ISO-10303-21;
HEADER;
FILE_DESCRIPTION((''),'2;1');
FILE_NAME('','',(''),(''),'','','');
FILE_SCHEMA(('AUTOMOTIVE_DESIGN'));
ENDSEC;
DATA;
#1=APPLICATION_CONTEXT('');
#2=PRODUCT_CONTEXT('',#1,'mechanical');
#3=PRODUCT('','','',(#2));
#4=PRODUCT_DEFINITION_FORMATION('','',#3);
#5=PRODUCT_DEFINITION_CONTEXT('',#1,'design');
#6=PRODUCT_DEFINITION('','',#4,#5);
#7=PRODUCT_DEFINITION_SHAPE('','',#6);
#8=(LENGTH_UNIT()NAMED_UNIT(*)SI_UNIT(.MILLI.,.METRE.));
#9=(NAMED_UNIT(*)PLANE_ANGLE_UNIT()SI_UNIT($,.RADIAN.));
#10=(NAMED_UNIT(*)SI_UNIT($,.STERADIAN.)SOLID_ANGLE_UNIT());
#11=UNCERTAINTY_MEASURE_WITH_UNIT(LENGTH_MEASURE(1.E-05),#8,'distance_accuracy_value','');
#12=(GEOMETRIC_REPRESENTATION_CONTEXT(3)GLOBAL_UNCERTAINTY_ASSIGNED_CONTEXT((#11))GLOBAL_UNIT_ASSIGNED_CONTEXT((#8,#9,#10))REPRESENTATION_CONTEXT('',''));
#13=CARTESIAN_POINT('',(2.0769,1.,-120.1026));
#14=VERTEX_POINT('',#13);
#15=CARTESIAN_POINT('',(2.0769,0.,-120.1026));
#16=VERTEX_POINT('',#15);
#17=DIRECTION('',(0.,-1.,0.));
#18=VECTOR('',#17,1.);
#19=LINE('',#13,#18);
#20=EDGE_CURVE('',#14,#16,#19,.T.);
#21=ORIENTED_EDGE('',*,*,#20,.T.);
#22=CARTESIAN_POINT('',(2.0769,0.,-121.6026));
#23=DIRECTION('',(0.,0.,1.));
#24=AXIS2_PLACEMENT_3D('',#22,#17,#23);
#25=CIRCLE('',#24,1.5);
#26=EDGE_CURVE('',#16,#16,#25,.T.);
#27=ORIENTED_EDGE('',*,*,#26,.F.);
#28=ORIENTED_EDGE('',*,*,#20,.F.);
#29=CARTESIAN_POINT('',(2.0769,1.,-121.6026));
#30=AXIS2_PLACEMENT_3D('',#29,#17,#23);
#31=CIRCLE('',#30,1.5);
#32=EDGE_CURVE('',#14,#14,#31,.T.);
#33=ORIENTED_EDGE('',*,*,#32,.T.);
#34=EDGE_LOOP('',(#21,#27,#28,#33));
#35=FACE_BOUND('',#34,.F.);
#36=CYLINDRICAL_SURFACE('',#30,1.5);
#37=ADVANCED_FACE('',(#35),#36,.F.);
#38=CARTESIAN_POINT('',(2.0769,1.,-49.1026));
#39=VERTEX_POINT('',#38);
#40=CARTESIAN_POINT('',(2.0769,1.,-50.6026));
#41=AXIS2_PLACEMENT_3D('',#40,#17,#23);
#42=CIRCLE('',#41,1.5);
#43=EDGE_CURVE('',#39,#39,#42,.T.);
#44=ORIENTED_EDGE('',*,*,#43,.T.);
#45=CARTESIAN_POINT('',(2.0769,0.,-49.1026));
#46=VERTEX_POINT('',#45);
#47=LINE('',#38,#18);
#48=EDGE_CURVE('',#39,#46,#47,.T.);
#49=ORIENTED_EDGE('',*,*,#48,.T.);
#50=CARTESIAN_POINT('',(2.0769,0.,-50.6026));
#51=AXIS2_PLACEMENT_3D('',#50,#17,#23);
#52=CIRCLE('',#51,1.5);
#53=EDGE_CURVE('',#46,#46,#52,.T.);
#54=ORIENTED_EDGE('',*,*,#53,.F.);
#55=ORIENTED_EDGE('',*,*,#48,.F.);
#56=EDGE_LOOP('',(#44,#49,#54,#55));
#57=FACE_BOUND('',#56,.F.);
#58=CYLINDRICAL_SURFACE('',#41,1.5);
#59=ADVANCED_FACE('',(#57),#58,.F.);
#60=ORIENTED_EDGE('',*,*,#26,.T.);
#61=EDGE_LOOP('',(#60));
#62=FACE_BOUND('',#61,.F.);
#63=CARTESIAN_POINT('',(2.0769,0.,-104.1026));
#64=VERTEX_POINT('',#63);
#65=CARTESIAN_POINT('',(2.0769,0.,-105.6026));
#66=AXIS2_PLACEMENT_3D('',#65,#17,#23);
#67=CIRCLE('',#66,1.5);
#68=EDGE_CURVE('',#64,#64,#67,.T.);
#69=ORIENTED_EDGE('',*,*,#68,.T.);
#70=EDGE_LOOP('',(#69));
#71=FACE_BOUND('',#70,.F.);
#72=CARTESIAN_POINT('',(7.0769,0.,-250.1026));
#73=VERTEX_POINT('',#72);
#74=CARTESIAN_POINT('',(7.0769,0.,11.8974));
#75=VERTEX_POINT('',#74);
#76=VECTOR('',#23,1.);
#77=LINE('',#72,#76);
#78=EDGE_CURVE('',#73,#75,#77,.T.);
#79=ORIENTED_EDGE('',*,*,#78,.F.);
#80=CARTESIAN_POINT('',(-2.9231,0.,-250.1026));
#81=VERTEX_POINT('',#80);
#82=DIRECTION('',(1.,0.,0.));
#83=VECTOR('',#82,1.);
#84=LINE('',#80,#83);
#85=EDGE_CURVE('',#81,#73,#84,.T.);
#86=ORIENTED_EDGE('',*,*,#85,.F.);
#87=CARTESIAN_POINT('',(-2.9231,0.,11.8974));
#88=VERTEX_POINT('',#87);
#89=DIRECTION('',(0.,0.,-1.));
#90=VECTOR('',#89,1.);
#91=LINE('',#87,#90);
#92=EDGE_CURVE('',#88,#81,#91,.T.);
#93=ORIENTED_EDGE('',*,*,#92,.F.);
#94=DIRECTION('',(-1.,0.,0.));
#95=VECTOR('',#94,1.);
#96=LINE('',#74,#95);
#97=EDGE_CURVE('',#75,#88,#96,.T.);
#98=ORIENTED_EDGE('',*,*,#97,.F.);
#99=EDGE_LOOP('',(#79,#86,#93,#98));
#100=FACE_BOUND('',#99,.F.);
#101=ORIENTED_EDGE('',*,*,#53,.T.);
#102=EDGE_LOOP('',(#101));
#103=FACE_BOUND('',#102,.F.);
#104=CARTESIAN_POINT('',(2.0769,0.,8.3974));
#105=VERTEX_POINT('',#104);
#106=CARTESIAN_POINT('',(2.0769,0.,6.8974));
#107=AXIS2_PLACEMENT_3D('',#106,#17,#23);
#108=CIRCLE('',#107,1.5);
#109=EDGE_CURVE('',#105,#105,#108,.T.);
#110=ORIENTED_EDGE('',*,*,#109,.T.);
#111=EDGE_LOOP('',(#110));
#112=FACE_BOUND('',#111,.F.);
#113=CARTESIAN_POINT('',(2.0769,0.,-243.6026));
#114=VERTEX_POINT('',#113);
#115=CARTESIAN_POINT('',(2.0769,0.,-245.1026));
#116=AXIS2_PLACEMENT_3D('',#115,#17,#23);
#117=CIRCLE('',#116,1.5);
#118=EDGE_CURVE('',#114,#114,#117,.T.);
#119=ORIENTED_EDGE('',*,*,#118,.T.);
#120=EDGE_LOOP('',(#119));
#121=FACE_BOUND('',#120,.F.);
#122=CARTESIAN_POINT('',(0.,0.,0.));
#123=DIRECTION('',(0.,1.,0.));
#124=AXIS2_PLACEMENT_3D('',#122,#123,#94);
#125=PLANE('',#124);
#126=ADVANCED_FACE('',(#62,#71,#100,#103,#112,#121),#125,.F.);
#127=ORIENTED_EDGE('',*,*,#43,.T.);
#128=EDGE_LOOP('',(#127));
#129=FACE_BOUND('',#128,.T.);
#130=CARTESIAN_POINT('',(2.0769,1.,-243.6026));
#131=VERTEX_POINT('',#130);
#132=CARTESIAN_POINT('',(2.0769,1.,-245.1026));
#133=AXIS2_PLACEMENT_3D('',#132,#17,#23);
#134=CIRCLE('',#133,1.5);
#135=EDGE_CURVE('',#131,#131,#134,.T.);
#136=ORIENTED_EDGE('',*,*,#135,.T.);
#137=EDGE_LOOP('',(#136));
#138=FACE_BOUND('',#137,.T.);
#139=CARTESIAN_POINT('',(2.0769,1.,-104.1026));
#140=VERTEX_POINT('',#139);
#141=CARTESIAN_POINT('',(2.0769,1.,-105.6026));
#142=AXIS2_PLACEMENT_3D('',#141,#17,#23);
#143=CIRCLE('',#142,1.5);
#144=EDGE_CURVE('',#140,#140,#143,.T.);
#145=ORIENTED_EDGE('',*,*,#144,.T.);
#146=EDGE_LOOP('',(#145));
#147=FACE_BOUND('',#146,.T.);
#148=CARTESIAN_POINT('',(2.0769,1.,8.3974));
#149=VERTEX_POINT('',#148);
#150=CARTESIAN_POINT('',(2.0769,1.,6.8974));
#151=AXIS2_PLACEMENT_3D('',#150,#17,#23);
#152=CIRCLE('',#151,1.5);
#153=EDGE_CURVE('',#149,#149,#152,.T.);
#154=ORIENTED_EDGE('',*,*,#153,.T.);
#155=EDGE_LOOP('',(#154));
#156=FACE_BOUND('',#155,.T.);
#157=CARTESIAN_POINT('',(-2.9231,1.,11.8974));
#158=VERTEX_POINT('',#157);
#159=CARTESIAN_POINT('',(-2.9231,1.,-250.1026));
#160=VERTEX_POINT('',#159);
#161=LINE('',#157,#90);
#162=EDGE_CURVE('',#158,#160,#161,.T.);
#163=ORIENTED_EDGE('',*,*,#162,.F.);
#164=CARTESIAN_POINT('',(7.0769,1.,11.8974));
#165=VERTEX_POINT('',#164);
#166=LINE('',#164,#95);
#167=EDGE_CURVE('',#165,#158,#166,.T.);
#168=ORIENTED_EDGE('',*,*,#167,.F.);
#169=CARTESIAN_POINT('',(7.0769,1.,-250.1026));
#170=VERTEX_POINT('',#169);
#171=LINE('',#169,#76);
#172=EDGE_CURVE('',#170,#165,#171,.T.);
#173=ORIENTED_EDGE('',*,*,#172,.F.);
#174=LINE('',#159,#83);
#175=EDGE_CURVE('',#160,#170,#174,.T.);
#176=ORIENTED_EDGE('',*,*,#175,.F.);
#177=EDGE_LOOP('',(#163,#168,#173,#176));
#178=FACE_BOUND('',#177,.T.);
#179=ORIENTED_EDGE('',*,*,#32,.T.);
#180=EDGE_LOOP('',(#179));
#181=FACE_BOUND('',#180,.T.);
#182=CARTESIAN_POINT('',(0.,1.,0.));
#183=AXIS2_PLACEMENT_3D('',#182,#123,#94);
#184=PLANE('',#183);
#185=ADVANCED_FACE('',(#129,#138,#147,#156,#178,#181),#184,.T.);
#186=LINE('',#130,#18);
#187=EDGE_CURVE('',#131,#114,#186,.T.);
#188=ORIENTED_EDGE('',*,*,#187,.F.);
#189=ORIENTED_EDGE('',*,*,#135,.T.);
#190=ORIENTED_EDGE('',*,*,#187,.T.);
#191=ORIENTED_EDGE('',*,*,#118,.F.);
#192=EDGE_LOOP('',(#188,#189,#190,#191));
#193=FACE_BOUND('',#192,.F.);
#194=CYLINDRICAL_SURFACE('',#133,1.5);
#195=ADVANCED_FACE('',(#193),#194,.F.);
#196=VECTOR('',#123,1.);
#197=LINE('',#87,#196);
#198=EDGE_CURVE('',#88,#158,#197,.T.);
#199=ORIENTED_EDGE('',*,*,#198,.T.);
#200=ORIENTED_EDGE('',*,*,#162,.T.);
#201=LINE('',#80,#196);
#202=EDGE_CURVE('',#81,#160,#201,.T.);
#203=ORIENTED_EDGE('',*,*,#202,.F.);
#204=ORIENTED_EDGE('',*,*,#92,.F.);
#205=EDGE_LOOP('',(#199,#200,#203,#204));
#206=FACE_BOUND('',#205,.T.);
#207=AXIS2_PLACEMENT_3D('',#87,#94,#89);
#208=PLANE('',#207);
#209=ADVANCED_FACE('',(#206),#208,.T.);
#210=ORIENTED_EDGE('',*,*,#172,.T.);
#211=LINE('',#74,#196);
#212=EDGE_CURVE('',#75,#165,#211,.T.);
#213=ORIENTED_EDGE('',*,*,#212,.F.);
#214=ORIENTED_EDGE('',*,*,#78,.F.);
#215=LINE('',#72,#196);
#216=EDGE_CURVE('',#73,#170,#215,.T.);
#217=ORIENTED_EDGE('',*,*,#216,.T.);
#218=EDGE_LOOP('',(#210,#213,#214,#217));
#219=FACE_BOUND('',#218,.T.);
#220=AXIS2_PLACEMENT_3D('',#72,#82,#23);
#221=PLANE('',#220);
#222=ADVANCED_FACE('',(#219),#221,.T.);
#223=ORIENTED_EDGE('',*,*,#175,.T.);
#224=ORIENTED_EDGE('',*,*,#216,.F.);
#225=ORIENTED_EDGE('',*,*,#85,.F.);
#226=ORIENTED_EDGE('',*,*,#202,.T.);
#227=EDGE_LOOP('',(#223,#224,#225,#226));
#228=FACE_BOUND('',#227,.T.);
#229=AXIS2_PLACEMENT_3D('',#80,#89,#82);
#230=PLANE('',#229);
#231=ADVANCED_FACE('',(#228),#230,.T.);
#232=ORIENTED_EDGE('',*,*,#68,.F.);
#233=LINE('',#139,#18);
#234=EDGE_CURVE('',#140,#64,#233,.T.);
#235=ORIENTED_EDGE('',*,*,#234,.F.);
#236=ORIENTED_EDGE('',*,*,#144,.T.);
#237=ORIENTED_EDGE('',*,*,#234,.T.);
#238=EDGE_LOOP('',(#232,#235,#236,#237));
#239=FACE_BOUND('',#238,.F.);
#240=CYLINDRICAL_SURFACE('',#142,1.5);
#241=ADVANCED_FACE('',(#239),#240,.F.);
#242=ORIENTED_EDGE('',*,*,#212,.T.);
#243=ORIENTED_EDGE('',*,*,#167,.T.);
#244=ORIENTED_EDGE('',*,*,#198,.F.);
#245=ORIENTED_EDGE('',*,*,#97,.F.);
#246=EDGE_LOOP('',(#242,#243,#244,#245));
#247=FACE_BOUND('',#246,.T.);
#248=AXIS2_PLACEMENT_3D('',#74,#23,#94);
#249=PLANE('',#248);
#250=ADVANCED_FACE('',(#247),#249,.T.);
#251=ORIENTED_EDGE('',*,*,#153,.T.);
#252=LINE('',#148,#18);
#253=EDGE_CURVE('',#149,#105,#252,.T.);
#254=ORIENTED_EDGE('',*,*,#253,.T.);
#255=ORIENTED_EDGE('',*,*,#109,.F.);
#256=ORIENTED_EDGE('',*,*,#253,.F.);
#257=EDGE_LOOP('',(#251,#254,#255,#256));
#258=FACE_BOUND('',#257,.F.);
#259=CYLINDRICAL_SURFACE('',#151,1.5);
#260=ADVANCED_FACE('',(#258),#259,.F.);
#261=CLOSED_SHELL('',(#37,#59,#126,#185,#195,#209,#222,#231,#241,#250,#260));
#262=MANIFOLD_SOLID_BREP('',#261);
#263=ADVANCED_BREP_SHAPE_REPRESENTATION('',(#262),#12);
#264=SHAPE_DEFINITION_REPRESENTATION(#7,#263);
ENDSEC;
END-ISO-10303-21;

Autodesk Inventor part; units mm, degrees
ref_plane "YZ Plane" through (0, 0, 0) normal (1, 0, 0) x (0, 1, 0)
ref_plane "XZ Plane" through (0, 0, 0) normal (0, 1, 0) x (-1, 0, 0)
ref_plane "XY Plane" through (0, 0, 0) normal (0, 0, 1) x (1, 0, 0)
sketch "Skizze1" plane through (0, 0, 0) normal (0, 1, 0) x (-1, 0, 0)
  line L0 (-7.0769, 11.8974) -> (2.9231, 11.8974)
  line L1 (2.9231, 11.8974) -> (2.9231, -250.1026)
  line L2 (2.9231, -250.1026) -> (-7.0769, -250.1026)
  line L3 (-7.0769, -250.1026) -> (-7.0769, 11.8974)
  point P0 (0, 0)
  dimension "d0" = 262
  dimension "d1" = 10
extrude "Extrusion1" add sketch "Skizze1" along normal blind 1
sketch "Skizze2" plane through (0, 1, 0) normal (0, 1, 0) x (1, 0, 0)
  line L0 (-2.9231, -11.8974) -> (7.0769, -11.8974) projected
  line L1 (7.0769, -11.8974) -> (7.0769, 250.1026) projected
  line L2 (7.0769, 250.1026) -> (-2.9231, 250.1026) projected
  point P0 (0, 0)
  point P1 (2.0769, -6.8974)
  point P2 (2.0769, 245.1026)
  dimension "d4" = 5
  dimension "d5" = 5
  dimension "d13" = 5
  dimension "d14" = 5
hole "Bohrung1" at (2.0769, 1, 6.8974) direction (0, -1, 0) diameter 3 end through all
sketch "Skizze3" plane through (0, 1, 0) normal (0, 1, 0) x (1, 0, 0)
  line L0 (7.0769, 250.1026) -> (-2.9231, 250.1026) projected
  line L1 (7.0769, -11.8974) -> (7.0769, 250.1026) projected
  point P0 (0, 0)
  point P1 (2.0769, 245.1026)
  dimension "d15" = 5
  dimension "d16" = 5
hole "Bohrung2" at (2.0769, 1, -245.1026) direction (0, -1, 0) diameter 3 end through all
sketch "Skizze4" plane through (0, 1, 0) normal (0, 1, 0) x (1, 0, 0)
  line L0 (-2.9231, -11.8974) -> (7.0769, -11.8974) projected
  line L1 (7.0769, -11.8974) -> (7.0769, 250.1026) projected
  line L2 (7.0769, 250.1026) -> (-2.9231, 250.1026) projected
  point P0 (0, 0)
  point P1 (2.0769, 121.6026)
  dimension "d25" = 5
  dimension "d33" = 128.5
hole "Bohrung3" at (2.0769, 1, -121.6026) direction (0, -1, 0) diameter 3 end through all
sketch "Skizze5" plane through (0, 1, 0) normal (0, 1, 0) x (1, 0, 0)
  line L0 (-2.9231, -11.8974) -> (7.0769, -11.8974) projected
  line L1 (7.0769, -11.8974) -> (7.0769, 250.1026) projected
  line L2 (7.0769, 250.1026) -> (-2.9231, 250.1026) projected
  point P0 (0, 0)
  point P1 (2.0769, 50.6026)
  point P2 (2.0769, 105.6026)
  dimension "d35" = 5
  dimension "d44" = 144.5
  dimension "d45" = 55
hole "Bohrung4" at (2.0769, 1, -50.6026) at (2.0769, 1, -105.6026) direction (0, -1, 0) diameter 3 end through all
properties part number "Rig" material "Aluminium 6061"
